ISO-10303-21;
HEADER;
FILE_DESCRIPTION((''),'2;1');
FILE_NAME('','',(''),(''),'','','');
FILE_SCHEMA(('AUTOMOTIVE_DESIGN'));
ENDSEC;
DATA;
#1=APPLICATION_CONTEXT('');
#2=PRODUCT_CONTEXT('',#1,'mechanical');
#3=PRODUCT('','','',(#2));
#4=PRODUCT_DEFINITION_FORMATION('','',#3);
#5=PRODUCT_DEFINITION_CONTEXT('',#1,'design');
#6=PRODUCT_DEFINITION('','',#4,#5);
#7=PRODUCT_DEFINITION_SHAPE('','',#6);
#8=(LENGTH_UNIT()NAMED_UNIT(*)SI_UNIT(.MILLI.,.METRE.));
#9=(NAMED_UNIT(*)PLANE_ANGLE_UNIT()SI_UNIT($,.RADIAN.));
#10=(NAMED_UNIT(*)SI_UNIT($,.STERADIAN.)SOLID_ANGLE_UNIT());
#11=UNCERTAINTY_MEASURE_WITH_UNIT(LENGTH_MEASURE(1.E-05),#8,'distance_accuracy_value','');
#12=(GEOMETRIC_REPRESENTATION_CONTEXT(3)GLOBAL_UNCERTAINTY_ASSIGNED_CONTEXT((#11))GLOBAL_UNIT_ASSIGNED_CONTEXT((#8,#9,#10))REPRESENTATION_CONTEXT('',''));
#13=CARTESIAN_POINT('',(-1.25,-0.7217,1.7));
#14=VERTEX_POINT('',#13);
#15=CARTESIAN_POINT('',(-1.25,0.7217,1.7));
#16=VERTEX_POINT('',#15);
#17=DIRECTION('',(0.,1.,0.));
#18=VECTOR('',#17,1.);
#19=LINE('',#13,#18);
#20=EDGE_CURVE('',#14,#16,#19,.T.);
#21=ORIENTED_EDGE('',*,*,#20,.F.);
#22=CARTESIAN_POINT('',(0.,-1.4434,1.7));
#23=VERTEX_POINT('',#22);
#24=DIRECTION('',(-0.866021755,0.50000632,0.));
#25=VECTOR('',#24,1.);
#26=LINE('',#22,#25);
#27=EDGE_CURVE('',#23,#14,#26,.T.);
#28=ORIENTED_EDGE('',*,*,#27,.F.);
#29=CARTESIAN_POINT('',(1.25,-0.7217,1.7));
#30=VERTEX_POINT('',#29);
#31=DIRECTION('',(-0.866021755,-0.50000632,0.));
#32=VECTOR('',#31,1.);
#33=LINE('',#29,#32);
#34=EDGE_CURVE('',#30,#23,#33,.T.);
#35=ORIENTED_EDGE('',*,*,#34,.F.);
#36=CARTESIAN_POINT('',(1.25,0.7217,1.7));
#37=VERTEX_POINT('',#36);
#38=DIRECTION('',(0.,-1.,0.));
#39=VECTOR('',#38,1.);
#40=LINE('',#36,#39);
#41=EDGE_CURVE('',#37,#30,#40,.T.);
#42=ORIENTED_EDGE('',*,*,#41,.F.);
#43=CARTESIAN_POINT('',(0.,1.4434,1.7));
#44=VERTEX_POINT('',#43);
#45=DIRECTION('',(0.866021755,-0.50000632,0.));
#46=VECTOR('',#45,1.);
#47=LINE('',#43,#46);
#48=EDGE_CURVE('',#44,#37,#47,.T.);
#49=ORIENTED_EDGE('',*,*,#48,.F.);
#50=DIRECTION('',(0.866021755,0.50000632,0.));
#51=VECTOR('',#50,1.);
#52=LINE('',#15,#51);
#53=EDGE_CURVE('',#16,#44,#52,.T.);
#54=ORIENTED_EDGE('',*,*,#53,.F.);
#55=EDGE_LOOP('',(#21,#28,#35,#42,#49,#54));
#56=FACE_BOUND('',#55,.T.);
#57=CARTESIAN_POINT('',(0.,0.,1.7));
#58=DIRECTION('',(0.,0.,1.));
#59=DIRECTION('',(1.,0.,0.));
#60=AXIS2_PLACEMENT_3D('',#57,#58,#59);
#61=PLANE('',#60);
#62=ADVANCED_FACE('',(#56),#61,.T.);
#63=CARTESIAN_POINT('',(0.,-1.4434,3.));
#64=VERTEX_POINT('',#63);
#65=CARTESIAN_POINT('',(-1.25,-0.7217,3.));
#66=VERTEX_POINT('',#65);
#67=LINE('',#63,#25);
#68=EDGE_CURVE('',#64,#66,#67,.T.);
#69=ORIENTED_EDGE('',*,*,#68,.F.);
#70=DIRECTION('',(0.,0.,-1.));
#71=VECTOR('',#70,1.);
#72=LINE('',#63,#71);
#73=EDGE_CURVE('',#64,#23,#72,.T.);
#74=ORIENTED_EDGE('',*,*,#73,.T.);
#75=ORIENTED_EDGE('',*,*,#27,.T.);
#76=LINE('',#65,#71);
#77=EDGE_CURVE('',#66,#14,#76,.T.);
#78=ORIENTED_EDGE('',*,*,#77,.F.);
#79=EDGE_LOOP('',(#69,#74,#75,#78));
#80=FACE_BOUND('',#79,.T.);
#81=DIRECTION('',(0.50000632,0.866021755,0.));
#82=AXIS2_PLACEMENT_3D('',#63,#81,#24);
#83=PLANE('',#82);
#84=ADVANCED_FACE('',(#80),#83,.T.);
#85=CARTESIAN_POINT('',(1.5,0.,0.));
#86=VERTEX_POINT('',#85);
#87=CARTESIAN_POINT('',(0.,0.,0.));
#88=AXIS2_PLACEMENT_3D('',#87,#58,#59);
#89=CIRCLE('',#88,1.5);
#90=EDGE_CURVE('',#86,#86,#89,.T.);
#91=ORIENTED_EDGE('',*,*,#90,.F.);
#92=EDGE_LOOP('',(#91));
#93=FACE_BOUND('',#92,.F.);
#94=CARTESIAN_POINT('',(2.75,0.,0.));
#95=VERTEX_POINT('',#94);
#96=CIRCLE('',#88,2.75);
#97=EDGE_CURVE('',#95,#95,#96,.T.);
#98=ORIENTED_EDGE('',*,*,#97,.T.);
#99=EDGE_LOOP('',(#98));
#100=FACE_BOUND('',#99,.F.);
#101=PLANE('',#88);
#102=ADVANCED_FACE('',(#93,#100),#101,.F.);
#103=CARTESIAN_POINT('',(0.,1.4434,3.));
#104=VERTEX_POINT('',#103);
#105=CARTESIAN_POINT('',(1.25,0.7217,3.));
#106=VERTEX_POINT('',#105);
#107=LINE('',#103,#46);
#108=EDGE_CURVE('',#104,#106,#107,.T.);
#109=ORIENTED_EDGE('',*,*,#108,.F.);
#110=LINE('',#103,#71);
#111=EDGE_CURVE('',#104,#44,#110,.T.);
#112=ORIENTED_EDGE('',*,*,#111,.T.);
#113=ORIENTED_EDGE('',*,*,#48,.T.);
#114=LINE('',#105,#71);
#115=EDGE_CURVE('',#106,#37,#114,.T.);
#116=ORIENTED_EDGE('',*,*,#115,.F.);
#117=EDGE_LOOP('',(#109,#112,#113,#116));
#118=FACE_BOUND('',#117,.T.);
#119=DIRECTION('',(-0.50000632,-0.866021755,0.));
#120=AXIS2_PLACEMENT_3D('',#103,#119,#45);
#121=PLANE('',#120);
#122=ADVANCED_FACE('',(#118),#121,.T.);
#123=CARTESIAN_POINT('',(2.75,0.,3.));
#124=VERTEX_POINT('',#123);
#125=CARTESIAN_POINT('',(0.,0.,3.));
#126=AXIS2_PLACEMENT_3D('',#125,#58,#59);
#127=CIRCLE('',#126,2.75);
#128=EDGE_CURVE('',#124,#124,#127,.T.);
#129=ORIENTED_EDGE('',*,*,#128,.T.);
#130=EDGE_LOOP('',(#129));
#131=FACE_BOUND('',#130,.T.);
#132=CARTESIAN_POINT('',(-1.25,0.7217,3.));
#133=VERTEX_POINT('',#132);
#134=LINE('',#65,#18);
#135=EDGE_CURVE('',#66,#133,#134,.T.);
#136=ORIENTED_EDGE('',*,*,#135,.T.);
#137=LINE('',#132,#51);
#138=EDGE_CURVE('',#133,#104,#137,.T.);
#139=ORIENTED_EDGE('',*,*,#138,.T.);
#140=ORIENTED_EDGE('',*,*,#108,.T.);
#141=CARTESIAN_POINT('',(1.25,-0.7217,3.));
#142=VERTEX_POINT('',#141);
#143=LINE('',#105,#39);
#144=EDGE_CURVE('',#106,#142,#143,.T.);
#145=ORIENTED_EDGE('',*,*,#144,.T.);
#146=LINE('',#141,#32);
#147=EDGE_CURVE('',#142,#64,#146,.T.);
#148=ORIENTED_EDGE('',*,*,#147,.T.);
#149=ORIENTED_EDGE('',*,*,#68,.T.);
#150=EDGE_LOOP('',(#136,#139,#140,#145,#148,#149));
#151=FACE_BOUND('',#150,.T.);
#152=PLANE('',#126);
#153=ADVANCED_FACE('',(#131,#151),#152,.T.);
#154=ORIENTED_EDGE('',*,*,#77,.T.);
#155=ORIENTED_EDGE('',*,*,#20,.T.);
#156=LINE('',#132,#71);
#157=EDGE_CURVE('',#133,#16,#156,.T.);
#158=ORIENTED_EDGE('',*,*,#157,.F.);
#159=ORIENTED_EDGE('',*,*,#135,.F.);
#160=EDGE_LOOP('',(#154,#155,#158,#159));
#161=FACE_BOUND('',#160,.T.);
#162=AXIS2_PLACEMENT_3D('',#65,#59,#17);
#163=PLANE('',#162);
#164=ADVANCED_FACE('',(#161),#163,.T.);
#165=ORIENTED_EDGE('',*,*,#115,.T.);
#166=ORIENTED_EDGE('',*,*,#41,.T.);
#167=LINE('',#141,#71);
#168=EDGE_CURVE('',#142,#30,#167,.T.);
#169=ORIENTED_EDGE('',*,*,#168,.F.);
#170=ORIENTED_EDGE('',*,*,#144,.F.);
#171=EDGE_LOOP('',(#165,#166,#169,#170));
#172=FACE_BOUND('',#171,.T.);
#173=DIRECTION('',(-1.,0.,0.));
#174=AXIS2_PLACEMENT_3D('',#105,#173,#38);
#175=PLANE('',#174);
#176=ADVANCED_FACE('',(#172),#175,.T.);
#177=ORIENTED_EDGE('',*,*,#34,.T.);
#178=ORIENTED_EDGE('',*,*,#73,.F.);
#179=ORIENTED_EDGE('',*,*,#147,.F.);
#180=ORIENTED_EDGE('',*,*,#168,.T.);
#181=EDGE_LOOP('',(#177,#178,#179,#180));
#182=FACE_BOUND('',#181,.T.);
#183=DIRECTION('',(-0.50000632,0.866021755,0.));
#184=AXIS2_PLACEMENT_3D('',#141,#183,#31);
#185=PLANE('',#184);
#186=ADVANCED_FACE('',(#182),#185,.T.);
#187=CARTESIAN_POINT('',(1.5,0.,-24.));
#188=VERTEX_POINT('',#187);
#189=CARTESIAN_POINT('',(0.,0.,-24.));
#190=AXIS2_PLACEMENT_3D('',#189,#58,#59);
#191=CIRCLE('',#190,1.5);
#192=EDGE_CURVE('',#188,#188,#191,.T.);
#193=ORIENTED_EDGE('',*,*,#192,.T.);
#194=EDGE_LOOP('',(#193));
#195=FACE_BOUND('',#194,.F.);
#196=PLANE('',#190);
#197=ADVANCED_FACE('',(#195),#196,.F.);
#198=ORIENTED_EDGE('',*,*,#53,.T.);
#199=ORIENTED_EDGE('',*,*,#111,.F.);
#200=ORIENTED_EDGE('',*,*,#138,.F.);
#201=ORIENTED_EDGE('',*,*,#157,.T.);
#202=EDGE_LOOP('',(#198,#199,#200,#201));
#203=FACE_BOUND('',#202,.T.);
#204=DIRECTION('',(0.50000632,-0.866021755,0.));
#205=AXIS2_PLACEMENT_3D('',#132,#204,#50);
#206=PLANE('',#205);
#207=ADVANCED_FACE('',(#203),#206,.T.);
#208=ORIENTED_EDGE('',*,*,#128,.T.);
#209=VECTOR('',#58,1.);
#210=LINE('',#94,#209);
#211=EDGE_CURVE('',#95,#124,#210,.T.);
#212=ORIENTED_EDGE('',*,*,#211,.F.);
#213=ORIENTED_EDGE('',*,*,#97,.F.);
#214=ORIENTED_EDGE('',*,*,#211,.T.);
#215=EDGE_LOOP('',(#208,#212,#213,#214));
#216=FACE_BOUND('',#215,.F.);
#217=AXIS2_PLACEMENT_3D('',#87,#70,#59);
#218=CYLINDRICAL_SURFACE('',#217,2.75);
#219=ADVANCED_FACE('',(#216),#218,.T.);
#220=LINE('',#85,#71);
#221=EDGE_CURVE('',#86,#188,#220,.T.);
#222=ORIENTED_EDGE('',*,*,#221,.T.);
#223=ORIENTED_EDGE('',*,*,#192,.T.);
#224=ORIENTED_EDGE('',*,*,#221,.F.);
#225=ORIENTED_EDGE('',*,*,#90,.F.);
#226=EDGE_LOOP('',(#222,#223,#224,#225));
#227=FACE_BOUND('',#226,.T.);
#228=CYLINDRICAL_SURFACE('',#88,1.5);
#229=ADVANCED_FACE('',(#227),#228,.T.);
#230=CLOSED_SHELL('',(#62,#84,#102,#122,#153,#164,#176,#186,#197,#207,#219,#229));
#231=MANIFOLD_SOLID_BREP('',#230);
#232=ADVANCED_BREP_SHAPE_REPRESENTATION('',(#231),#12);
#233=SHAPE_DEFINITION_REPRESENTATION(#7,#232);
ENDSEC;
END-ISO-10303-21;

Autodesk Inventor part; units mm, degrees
ref_plane "YZ Plane" through (0, 0, 0) normal (1, 0, 0) x (0, 1, 0)
ref_plane "XZ Plane" through (0, 0, 0) normal (0, 1, 0) x (-1, 0, 0)
ref_plane "XY Plane" through (0, 0, 0) normal (0, 0, 1) x (1, 0, 0)
sketch "スケッチ1" plane through (0, 0, 0) normal (0, 0, 1) x (1, 0, 0)
  circle A0 centre (0, 0) radius 1.5
  dimension "d0" = 3
extrude "押し出し1" add sketch "スケッチ1" against normal blind 24
sketch "スケッチ2" plane through (0, 0, 0) normal (0, 0, 1) x (1, 0, 0)
  circle A0 centre (0, 0) radius 2.75
  dimension "d3" = 5.5
extrude "押し出し2" add sketch "スケッチ2" along normal blind 3
sketch "スケッチ3" plane through (0, 0, 3) normal (0, 0, 1) x (1, 0, 0)
  line L0 (0, 1.4434) -> (1.25, 0.7217)
  line L1 (1.25, 0.7217) -> (1.25, -0.7217)
  line L2 (1.25, -0.7217) -> (0, -1.4434)
  line L3 (0, -1.4434) -> (-1.25, -0.7217)
  line L4 (-1.25, -0.7217) -> (-1.25, 0.7217)
  line L5 (-1.25, 0.7217) -> (0, 1.4434)
  point P0 (0, 0)
  point P1 (0, 0)
  dimension "d6" = 2.5
extrude "押し出し3" cut sketch "スケッチ3" against normal blind 1.3
thread "ねじ1" size "M3x0.5" class "6g" standard "ANSI Metric M Profile" full length
properties part number "M3キャップボルト 24" material "鋼、高強度、低合金"
